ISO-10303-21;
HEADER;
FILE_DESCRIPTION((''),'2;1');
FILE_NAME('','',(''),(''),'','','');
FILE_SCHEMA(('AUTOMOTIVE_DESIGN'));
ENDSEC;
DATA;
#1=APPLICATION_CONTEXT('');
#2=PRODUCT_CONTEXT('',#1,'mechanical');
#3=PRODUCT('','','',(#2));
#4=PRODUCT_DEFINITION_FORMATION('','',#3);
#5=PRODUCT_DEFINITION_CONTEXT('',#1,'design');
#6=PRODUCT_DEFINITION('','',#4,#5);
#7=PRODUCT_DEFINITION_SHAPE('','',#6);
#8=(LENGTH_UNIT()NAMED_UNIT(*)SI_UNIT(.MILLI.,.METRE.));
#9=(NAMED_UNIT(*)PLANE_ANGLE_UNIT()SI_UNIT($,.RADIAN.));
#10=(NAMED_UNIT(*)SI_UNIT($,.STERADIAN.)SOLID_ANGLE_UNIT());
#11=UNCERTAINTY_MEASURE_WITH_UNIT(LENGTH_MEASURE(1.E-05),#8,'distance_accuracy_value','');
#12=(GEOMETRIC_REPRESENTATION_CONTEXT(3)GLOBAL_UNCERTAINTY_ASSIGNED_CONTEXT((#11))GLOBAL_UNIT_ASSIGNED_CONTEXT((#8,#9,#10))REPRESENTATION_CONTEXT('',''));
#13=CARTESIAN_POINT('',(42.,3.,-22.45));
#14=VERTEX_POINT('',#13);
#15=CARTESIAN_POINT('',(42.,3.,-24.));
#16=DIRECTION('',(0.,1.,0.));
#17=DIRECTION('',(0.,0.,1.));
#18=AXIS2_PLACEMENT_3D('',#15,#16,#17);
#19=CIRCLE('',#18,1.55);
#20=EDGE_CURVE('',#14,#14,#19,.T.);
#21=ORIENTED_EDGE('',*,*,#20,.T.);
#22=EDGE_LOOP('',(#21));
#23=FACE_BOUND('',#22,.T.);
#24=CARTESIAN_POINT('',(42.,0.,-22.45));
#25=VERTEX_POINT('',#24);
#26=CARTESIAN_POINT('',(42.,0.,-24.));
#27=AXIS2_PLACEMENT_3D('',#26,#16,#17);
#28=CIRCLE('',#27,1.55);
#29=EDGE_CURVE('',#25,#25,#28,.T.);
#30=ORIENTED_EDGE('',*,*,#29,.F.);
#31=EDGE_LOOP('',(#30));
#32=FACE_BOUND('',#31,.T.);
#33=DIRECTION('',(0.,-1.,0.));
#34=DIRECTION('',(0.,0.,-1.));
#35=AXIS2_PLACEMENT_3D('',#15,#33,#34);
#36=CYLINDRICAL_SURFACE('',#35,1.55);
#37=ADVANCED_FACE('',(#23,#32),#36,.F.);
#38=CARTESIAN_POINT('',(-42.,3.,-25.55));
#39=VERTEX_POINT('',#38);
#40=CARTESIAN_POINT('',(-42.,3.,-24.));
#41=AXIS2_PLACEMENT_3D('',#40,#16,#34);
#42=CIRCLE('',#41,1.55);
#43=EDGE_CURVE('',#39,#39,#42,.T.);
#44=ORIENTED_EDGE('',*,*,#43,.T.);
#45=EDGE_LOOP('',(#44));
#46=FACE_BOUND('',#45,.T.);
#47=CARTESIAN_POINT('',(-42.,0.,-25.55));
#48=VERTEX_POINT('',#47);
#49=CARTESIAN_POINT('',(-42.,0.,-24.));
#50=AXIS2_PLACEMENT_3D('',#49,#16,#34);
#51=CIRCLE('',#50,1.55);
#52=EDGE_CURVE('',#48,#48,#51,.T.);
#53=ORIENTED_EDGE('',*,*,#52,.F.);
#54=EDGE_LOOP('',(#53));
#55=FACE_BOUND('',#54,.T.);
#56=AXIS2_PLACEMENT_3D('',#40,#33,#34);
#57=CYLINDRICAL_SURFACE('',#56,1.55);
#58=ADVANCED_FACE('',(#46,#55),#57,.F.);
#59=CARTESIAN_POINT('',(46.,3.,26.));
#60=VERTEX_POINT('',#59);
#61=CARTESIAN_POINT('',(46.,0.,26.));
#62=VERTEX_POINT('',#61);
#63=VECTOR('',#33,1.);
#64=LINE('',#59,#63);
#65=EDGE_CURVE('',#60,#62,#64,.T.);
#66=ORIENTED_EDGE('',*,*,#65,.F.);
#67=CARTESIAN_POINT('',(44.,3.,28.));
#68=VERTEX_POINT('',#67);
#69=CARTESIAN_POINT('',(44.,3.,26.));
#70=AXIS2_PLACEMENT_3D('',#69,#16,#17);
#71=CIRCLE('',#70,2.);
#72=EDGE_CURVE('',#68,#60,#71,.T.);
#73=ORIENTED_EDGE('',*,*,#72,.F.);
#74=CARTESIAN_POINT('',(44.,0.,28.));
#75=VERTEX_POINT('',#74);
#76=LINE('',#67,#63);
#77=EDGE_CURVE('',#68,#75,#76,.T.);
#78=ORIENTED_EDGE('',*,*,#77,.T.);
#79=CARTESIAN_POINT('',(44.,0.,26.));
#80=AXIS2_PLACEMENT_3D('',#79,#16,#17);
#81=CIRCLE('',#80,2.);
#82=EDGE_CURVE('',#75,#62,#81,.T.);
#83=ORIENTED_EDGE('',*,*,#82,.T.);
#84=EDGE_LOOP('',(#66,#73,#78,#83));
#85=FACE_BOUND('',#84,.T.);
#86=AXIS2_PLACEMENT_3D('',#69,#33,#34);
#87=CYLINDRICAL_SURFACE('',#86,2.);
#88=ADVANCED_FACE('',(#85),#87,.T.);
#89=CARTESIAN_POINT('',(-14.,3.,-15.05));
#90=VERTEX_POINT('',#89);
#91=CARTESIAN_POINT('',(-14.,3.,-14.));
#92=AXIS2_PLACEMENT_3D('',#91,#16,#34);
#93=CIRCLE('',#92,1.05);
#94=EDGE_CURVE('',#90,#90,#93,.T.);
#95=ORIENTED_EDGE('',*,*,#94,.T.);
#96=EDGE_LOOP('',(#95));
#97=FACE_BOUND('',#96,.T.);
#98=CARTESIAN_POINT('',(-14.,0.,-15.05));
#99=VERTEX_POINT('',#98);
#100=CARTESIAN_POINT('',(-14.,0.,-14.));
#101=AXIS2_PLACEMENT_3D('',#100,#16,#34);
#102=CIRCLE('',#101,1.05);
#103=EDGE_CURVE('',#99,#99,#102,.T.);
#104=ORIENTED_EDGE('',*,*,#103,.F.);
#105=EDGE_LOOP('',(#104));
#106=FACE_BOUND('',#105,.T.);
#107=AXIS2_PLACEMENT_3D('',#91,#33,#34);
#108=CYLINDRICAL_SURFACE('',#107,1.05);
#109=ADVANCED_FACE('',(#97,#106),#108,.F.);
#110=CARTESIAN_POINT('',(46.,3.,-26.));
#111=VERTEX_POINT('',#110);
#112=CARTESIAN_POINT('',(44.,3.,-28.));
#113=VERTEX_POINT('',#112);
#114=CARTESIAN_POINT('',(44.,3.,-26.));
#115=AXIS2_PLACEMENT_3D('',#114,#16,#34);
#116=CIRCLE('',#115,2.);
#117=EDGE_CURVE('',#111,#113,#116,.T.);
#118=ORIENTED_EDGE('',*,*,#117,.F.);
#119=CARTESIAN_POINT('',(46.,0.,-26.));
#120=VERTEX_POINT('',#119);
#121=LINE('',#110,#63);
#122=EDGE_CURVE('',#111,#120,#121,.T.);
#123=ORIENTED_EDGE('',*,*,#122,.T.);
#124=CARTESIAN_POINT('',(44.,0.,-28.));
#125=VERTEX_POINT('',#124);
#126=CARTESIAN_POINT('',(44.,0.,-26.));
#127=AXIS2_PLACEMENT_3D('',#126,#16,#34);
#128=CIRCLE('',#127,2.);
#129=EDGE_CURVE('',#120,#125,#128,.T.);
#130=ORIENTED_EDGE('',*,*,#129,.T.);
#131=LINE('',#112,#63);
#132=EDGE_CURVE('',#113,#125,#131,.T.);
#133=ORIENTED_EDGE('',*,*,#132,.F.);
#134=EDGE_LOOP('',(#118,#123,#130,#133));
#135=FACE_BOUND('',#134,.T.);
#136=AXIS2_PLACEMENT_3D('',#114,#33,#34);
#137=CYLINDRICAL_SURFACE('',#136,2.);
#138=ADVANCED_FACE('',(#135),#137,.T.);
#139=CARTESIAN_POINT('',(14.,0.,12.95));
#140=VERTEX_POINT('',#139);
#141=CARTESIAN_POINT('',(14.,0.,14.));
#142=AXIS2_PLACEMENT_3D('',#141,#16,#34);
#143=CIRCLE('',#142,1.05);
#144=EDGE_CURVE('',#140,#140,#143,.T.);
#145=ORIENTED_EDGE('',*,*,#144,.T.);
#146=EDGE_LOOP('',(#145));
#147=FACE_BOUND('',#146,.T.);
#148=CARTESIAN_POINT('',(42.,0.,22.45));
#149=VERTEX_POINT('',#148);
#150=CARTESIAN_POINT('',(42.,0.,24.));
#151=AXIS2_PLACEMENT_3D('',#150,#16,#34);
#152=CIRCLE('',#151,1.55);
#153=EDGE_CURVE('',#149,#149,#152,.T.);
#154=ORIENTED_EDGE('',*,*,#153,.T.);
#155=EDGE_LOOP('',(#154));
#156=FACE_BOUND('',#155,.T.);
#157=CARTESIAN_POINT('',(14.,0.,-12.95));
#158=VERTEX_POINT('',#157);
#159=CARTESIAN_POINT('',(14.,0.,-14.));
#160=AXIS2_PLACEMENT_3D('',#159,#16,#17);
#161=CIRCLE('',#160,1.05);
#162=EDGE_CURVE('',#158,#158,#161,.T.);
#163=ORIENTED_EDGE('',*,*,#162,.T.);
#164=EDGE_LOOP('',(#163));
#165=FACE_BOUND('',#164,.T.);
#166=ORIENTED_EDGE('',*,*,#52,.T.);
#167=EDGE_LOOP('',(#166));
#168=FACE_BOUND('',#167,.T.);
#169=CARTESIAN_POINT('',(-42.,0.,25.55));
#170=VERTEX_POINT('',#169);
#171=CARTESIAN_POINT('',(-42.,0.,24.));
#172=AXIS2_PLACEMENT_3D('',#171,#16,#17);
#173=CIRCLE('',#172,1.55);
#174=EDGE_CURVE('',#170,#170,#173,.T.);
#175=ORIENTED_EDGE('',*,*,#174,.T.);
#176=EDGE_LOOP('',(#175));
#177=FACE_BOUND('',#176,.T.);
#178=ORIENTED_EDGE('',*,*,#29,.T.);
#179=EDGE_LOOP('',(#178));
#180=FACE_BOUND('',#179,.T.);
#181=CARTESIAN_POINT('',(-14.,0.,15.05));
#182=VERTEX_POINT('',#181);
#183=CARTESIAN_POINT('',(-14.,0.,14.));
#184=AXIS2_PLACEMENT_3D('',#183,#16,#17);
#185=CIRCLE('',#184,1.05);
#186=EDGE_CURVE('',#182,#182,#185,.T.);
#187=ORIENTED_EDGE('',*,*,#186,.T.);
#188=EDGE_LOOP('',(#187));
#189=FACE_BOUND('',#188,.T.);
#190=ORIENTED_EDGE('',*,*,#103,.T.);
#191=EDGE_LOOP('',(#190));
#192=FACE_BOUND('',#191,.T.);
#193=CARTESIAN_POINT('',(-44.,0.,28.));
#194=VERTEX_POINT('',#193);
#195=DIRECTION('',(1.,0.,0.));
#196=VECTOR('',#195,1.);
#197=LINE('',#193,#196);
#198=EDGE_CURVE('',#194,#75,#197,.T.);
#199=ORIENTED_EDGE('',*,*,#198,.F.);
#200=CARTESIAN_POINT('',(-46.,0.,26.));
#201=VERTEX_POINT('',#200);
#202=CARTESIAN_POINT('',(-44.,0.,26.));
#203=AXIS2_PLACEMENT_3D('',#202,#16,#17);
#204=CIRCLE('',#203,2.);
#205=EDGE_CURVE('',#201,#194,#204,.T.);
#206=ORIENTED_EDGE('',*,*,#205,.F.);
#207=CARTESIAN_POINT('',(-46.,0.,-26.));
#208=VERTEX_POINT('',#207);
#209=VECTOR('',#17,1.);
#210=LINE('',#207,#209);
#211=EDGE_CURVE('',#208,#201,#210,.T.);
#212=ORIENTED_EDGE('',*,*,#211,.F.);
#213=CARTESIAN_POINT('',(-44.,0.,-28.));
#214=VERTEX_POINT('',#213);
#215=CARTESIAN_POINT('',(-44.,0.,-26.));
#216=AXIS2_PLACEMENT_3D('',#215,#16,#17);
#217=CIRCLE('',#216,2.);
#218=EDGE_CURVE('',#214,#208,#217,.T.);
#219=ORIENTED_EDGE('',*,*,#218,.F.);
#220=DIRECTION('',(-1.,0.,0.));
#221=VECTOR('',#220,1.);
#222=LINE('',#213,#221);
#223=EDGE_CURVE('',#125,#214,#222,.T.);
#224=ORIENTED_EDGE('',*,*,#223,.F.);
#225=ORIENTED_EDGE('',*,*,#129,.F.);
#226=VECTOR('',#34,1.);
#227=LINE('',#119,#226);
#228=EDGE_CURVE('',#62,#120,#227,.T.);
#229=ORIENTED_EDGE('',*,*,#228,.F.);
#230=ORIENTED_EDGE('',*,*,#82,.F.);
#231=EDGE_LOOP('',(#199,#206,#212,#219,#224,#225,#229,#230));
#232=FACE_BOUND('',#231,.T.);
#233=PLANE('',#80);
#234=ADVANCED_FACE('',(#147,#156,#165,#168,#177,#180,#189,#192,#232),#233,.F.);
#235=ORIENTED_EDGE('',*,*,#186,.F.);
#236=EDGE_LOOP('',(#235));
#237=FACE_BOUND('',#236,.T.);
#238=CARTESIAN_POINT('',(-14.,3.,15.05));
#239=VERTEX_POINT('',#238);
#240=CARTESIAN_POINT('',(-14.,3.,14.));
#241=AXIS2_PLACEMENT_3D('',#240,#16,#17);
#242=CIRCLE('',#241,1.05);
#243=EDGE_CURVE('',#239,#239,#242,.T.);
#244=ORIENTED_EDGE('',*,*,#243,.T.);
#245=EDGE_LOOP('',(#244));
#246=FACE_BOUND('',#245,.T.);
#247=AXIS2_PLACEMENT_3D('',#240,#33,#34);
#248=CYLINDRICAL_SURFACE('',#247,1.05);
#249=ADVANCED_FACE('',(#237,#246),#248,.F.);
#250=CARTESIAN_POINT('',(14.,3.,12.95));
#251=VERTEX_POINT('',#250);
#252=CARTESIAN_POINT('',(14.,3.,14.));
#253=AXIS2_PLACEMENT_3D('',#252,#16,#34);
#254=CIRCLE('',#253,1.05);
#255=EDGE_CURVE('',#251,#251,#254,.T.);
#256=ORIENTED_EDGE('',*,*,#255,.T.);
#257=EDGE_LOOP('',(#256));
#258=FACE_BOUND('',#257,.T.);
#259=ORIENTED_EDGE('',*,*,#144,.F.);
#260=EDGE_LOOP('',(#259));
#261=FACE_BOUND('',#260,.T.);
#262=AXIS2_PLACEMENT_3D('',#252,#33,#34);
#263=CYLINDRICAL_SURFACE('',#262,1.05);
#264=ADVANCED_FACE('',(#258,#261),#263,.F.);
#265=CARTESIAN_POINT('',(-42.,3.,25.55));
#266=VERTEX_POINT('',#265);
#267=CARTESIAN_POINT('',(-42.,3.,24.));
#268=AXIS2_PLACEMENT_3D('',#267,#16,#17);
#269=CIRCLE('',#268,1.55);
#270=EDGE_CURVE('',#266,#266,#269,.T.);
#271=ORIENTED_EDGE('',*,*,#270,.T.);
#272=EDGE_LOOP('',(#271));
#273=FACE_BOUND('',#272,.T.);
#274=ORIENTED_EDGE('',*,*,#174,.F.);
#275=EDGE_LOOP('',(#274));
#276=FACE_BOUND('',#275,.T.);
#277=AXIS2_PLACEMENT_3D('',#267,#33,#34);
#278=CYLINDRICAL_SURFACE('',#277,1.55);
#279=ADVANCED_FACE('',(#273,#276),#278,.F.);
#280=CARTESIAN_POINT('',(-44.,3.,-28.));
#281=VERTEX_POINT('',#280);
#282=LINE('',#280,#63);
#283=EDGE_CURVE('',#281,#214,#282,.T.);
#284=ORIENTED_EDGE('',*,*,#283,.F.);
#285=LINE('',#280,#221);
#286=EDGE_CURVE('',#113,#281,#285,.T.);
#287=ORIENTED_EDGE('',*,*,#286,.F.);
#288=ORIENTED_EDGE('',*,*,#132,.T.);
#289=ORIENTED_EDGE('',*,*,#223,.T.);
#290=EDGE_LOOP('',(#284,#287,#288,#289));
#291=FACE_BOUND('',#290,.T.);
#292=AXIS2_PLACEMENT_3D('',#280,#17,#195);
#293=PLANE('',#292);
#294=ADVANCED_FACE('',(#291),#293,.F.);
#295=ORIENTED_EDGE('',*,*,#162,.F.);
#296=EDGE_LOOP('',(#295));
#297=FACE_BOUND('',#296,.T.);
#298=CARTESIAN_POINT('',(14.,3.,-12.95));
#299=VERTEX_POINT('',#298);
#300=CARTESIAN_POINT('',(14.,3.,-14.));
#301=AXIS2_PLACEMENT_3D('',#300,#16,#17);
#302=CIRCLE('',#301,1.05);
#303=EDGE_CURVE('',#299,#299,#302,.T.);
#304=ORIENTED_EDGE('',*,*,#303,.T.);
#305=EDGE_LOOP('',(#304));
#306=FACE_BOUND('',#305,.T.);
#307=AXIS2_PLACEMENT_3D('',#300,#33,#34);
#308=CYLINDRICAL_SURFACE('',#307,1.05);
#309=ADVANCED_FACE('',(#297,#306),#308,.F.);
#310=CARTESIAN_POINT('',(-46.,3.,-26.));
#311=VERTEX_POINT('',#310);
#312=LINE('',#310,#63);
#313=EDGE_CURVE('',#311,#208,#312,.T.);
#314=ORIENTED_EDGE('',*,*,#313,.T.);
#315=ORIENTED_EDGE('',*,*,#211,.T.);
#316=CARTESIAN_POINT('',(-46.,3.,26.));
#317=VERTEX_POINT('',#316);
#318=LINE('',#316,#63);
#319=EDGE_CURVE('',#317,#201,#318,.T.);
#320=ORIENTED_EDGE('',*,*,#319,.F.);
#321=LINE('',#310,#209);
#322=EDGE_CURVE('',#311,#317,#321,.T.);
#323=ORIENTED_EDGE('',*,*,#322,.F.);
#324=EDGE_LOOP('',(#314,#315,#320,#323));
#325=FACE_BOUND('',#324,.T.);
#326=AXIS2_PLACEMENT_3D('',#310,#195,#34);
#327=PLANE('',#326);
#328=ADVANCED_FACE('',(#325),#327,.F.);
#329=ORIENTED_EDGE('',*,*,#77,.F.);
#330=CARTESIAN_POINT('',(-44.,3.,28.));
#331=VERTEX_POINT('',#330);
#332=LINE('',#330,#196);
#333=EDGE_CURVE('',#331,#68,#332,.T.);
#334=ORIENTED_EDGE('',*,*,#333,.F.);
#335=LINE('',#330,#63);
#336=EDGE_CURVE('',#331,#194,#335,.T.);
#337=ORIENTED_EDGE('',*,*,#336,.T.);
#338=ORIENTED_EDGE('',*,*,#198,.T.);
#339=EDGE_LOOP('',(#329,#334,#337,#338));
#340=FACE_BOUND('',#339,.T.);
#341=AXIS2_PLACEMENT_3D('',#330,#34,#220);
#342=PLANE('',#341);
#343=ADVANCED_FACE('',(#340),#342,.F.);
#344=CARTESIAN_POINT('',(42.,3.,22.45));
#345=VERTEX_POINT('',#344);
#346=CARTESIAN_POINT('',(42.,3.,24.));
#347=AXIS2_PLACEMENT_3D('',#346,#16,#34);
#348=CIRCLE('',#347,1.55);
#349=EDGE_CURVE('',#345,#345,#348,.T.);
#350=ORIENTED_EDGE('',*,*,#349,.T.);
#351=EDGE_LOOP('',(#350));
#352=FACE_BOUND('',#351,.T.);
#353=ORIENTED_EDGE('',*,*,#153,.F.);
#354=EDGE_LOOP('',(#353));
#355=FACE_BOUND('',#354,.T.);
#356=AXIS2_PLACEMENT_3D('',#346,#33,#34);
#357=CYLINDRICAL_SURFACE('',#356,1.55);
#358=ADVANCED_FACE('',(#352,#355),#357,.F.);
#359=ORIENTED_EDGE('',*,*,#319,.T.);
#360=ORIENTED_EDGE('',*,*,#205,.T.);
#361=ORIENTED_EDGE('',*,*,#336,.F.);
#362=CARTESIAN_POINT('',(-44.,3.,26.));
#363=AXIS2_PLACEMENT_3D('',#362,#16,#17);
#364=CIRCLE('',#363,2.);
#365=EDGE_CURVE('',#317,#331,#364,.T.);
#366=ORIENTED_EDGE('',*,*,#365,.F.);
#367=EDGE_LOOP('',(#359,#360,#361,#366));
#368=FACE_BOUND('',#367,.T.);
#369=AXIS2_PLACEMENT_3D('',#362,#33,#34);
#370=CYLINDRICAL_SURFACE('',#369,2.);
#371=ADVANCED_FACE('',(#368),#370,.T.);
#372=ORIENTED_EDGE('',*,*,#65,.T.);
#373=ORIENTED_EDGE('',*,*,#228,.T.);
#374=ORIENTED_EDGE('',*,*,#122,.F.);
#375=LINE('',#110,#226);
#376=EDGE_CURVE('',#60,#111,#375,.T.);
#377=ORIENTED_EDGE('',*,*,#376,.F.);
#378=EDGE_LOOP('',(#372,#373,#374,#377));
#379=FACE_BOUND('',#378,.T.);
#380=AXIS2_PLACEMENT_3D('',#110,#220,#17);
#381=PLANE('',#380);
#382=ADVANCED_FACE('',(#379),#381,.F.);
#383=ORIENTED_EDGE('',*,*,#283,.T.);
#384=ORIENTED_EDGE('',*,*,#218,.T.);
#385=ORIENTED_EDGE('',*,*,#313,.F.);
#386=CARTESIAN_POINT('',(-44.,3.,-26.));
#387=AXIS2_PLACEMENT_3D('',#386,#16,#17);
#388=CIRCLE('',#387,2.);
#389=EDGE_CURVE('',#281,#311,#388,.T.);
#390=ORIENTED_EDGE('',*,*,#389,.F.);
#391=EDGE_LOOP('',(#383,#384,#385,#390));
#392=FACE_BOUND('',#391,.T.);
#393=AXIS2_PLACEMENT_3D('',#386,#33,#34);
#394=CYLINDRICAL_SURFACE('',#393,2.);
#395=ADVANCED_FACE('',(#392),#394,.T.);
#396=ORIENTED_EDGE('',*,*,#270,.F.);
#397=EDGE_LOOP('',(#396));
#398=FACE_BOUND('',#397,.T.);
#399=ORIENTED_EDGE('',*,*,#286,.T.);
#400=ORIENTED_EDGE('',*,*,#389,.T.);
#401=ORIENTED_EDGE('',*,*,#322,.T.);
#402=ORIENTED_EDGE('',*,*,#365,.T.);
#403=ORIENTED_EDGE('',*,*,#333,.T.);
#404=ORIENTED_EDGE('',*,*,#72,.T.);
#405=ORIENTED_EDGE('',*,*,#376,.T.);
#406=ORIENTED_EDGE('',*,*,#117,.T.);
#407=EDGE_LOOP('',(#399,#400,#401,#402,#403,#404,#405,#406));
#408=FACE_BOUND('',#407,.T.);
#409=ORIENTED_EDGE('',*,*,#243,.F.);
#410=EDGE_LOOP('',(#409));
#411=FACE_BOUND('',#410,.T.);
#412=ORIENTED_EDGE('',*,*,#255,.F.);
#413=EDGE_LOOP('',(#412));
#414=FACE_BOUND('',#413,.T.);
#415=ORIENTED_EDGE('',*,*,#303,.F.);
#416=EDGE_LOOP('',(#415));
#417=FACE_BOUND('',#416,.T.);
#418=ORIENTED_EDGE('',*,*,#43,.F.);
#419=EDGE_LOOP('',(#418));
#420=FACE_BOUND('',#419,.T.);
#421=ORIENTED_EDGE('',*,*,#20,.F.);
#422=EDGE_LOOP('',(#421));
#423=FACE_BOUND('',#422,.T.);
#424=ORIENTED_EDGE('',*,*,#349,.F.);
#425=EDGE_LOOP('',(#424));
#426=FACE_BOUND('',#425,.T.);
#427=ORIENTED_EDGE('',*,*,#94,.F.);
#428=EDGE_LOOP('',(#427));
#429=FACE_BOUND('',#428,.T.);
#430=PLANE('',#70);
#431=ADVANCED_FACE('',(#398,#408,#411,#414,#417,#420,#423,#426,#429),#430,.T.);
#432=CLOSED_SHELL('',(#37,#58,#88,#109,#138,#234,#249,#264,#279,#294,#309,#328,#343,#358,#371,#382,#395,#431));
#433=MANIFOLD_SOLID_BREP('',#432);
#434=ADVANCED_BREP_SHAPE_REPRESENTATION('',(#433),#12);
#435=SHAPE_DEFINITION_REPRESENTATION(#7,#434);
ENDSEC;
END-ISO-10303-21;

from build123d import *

# Parameters (mm, degrees)
SKETCH1_R           = 1.55
SKETCH1_R_2         = 1.05
BOSS_EXTRUDE1_DEPTH = 3


with BuildPart() as part:
    # Sketch1 → Boss-Extrude1 (new body)
    with BuildSketch(Plane(origin=(0, 0, 0), x_dir=(1, 0, 0), z_dir=(0, 1, 0))):
        with BuildLine():
            Line((-44, 28), (44, 28))
            ThreePointArc((44, 28), (45.414213562, 27.414213562), (46, 26))
            Line((46, 26), (46, -26))
            ThreePointArc((46, -26), (45.414213562, -27.414213562), (44, -28))
            Line((44, -28), (-44, -28))
            ThreePointArc((-44, -28), (-45.414213562, -27.414213562), (-46, -26))
            Line((-46, -26), (-46, 26))
            ThreePointArc((-46, 26), (-45.414213562, 27.414213562), (-44, 28))
        make_face()
        with Locations(Location((42, 24, 0), (0, 0, 270))):
            Circle(SKETCH1_R, mode=Mode.SUBTRACT)
        with Locations(Location((-42, 24, 0), (0, 0, 90))):
            Circle(SKETCH1_R, mode=Mode.SUBTRACT)
        with Locations(Location((42, -24, 0), (0, 0, 90))):
            Circle(SKETCH1_R, mode=Mode.SUBTRACT)
        with Locations(Location((-42, -24, 0), (0, 0, 270))):
            Circle(SKETCH1_R, mode=Mode.SUBTRACT)
        with Locations(Location((14, 14, 0), (0, 0, 270))):
            Circle(SKETCH1_R_2, mode=Mode.SUBTRACT)
        with Locations(Location((14, -14, 0), (0, 0, 90))):
            Circle(SKETCH1_R_2, mode=Mode.SUBTRACT)
        with Locations(Location((-14, 14, 0), (0, 0, 90))):
            Circle(SKETCH1_R_2, mode=Mode.SUBTRACT)
        with Locations(Location((-14, -14, 0), (0, 0, 270))):
            Circle(SKETCH1_R_2, mode=Mode.SUBTRACT)
    extrude(amount=BOSS_EXTRUDE1_DEPTH)


solid = part.part
